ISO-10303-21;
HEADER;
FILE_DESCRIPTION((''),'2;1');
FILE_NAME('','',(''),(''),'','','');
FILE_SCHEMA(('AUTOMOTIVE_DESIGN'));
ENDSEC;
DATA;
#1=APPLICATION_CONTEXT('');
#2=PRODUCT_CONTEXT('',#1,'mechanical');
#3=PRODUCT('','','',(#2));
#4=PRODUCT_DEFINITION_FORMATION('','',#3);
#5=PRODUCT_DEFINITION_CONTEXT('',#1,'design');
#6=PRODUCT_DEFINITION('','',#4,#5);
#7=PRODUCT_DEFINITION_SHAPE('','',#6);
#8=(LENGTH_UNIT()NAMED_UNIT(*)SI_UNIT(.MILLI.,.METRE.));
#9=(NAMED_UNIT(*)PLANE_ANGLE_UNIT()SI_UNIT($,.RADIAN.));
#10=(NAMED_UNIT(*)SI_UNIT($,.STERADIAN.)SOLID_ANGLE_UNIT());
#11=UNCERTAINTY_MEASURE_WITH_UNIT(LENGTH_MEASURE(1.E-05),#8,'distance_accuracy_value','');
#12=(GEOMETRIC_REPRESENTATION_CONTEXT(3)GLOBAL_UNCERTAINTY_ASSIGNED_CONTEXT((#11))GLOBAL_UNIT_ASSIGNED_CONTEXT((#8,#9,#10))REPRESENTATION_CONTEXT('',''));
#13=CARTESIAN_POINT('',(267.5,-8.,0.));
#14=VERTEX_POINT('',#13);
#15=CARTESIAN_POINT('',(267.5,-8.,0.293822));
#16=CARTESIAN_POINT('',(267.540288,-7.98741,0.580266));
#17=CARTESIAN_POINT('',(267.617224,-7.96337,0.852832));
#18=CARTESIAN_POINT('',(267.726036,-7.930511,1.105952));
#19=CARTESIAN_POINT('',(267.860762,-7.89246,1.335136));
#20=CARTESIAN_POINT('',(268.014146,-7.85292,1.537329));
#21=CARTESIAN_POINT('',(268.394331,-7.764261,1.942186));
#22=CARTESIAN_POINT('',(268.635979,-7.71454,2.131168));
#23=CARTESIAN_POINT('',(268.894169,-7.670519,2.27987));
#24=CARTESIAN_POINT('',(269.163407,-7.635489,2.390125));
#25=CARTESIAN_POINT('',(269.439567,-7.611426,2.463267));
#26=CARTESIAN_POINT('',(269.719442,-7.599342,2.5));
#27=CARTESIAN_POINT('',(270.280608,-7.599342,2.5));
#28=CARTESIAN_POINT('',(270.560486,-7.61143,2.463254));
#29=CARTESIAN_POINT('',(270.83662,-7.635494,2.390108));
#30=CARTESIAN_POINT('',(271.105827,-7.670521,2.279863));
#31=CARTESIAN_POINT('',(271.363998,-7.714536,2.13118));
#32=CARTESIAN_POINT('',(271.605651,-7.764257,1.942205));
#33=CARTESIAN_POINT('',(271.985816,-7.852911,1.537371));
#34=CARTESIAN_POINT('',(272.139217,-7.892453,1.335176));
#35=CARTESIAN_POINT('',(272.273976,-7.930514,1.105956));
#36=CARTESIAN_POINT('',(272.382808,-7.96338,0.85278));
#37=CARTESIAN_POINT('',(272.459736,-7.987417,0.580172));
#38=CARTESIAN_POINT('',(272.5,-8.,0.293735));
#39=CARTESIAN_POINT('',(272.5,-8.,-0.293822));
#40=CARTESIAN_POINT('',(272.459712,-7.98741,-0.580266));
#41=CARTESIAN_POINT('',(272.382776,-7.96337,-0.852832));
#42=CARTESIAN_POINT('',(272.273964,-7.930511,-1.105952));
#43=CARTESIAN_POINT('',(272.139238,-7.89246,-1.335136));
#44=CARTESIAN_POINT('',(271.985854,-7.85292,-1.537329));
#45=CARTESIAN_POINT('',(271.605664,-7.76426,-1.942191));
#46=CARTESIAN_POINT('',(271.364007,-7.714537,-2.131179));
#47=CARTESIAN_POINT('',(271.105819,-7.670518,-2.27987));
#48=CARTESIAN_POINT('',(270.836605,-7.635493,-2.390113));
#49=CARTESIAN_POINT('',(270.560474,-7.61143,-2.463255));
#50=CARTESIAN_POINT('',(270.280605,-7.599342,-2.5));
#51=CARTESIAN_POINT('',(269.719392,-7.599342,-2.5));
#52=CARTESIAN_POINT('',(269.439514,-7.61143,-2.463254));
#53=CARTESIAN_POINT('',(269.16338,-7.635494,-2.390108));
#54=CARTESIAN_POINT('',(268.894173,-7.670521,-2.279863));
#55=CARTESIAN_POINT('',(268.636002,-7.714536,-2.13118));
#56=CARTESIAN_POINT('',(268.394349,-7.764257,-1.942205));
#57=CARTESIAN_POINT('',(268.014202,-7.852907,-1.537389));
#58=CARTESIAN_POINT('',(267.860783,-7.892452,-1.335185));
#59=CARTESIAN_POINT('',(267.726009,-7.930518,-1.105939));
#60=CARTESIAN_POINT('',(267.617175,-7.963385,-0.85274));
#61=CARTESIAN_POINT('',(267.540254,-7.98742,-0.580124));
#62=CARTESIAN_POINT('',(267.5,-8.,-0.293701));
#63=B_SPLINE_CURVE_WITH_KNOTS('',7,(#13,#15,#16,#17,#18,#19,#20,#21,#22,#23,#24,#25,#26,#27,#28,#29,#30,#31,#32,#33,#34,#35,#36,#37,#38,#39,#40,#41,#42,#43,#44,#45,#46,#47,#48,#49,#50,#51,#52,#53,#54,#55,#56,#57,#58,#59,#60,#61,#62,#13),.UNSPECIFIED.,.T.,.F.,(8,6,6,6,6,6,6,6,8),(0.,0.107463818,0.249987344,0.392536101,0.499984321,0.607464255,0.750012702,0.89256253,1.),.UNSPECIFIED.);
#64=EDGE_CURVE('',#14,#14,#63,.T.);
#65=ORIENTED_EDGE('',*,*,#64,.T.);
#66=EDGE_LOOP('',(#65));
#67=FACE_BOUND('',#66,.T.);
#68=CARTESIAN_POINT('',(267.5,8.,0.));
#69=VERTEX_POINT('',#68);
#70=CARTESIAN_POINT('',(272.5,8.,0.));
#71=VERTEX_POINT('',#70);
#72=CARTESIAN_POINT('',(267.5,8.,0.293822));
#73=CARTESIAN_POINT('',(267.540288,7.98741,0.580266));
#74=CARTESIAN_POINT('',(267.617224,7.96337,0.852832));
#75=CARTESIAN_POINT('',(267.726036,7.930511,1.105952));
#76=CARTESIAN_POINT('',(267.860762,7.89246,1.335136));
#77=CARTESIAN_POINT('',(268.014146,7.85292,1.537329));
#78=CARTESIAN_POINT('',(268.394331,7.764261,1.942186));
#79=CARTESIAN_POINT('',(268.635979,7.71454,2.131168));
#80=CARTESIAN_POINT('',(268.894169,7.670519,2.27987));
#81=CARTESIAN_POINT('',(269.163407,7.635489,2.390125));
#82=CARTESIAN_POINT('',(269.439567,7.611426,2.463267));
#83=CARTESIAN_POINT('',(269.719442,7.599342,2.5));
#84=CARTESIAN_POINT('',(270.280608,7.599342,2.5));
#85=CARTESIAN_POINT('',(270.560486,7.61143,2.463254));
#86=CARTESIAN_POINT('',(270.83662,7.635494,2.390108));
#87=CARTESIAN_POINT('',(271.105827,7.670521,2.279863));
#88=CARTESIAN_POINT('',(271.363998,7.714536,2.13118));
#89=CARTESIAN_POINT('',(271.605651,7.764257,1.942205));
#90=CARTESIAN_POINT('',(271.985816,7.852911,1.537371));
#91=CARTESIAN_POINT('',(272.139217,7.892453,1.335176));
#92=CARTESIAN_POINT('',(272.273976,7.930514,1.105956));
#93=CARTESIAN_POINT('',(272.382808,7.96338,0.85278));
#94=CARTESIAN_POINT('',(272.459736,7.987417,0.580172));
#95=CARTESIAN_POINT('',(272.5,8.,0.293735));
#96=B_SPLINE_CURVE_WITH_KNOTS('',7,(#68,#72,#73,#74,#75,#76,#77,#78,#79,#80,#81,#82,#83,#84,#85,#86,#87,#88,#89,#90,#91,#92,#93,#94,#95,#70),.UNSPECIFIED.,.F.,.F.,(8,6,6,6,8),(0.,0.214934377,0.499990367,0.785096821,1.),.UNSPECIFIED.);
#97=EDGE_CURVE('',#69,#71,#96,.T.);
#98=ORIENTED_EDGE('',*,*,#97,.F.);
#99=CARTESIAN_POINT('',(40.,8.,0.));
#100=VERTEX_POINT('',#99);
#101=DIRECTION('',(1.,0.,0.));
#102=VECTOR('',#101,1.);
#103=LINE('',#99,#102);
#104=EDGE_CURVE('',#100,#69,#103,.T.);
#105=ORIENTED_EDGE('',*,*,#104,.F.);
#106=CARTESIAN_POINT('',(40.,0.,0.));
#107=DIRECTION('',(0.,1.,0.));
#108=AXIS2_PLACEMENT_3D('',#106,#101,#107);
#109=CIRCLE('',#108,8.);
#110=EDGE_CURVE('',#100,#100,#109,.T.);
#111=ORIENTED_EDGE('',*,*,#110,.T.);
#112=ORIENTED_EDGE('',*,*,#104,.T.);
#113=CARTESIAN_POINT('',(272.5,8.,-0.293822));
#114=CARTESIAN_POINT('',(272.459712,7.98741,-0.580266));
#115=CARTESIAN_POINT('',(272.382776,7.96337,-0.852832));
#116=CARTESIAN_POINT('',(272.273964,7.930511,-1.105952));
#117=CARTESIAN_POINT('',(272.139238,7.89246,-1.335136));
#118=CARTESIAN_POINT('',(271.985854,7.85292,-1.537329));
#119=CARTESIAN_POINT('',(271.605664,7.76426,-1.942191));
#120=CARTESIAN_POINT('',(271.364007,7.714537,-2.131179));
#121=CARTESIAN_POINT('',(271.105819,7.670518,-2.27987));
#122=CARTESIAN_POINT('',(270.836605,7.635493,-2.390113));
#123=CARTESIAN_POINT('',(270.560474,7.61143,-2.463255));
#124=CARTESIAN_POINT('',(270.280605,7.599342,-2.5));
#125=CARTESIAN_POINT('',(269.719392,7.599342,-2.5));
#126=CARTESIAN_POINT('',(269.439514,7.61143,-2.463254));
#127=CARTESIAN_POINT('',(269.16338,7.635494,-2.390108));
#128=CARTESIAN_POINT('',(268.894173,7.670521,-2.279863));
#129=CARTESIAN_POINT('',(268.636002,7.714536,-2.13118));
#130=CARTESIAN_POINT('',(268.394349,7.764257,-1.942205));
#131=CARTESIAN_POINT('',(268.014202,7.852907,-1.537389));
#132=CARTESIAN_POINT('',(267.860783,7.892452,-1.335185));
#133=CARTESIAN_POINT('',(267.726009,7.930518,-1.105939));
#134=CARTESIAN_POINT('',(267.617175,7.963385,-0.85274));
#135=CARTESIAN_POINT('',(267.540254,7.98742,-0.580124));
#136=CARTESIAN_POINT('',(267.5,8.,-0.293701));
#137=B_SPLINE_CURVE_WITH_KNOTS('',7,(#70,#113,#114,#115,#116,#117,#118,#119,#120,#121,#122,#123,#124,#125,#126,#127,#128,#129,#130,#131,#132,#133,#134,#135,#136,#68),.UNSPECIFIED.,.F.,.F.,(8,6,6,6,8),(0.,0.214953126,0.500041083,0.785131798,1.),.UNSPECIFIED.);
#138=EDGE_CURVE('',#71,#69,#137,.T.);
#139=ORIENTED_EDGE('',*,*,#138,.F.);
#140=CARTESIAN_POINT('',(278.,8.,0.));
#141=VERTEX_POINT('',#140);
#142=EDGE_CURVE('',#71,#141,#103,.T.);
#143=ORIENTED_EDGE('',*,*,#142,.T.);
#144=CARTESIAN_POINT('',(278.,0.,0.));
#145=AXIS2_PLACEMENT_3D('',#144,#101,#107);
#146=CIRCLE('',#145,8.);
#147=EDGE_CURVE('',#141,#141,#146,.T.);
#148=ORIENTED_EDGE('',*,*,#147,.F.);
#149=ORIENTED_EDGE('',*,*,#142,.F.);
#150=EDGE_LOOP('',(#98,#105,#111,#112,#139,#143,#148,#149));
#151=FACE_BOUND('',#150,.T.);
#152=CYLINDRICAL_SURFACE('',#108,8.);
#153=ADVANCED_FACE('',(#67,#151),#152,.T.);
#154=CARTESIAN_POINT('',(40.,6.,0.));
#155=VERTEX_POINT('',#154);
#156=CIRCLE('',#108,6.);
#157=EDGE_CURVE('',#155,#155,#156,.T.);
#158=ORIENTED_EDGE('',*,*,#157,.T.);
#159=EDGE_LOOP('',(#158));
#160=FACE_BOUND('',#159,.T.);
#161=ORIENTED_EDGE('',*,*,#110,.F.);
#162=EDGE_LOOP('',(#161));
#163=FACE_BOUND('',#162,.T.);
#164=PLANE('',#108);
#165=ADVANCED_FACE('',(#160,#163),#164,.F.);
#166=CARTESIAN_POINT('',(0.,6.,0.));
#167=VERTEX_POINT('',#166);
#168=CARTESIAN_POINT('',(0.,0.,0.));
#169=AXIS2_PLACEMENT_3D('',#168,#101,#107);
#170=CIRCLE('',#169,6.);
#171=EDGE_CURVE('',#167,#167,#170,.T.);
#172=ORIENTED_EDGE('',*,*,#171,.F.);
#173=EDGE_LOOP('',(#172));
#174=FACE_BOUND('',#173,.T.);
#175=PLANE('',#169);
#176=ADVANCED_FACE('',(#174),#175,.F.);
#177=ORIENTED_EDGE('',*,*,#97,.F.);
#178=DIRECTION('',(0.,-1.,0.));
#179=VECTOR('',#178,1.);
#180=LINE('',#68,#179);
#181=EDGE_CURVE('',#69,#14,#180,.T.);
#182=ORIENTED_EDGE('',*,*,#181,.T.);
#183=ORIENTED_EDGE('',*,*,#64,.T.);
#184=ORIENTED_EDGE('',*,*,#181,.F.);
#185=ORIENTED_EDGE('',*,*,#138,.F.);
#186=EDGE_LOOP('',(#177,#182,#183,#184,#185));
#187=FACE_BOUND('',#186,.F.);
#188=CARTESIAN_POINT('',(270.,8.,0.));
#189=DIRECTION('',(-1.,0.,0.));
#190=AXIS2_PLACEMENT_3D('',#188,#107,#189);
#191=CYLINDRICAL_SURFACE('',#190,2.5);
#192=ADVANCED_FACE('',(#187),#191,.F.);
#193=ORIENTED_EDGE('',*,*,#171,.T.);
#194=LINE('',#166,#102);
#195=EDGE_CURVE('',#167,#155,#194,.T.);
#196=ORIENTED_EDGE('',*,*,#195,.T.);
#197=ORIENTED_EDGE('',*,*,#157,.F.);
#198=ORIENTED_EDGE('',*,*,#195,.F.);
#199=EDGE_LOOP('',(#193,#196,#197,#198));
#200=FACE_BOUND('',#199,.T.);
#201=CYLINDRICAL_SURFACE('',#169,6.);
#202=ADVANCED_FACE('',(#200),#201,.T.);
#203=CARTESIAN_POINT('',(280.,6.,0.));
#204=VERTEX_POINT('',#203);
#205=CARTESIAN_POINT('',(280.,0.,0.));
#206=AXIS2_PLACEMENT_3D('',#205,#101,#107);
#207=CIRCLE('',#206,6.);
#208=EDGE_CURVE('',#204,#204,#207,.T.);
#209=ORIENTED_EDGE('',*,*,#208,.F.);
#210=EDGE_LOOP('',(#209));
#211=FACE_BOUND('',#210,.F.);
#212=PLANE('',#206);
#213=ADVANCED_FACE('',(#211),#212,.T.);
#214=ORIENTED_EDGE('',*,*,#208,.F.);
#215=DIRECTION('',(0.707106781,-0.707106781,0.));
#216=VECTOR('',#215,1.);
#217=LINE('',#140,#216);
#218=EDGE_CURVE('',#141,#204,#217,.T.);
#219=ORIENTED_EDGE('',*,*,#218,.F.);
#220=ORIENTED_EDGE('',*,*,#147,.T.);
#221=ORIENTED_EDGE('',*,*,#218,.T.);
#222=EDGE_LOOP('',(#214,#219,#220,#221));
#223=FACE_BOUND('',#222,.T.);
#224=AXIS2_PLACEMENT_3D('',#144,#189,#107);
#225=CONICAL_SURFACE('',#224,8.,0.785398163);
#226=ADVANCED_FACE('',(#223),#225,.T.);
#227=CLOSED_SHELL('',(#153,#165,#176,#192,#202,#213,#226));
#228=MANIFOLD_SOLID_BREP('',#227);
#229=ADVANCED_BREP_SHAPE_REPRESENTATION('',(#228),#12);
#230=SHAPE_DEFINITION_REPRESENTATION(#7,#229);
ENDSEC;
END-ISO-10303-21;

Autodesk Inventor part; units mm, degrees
ref_plane "YZ Plane" through (0, 0, 0) normal (1, 0, 0) x (0, 1, 0)
ref_plane "XY Plane" through (0, 0, 0) normal (0, 0, 1) x (1, 0, 0)
sketch "Sketch1" plane through (0, 0, 0) normal (0, 0, 1) x (1, 0, 0)
  line L0 (0, 0) -> (280, 0)
  line L1 (280, 0) -> (280, 6)
  line L2 (0, 0) -> (0, 6)
  line L3 (0, 6) -> (40, 6)
  line L4 (40, 6) -> (40, 8)
  line L5 (40, 8) -> (278, 8)
  line L6 (278, 8) -> (280, 6)
  point P0 (280, 8)
  dimension "d0" = 280
  dimension "d1" = 8
  dimension "d2" = 6
  dimension "d3" = 40
  dimension "d4" = 2
  dimension "d5" = 2
  dimension "d6" = 45
revolve "Revolution1" add sketch "Sketch1" angle 360 about axis through (0, 0, 0) along (1, 0, 0)
thread "Thread1" size "M12x1.75" class "6g" standard "ANSI Metric M Profile" length 20
ref_plane "Work Plane1" through (0, 8, 0) normal (0, 1, 0) x (-1, 0, 0)
sketch "Sketch2" plane through (0, 8, 0) normal (0, 1, 0) x (-1, 0, 0)
  circle A0 centre (-270, 0) radius 2.5
  line L0 (-280, 6) -> (-280, -6) projected
  point P0 (0, 0)
  dimension "d12" = 5
  dimension "d13" = 10
  dimension "d14" = 270
extrude "Extrusion1" cut sketch "Sketch2" against normal through all
